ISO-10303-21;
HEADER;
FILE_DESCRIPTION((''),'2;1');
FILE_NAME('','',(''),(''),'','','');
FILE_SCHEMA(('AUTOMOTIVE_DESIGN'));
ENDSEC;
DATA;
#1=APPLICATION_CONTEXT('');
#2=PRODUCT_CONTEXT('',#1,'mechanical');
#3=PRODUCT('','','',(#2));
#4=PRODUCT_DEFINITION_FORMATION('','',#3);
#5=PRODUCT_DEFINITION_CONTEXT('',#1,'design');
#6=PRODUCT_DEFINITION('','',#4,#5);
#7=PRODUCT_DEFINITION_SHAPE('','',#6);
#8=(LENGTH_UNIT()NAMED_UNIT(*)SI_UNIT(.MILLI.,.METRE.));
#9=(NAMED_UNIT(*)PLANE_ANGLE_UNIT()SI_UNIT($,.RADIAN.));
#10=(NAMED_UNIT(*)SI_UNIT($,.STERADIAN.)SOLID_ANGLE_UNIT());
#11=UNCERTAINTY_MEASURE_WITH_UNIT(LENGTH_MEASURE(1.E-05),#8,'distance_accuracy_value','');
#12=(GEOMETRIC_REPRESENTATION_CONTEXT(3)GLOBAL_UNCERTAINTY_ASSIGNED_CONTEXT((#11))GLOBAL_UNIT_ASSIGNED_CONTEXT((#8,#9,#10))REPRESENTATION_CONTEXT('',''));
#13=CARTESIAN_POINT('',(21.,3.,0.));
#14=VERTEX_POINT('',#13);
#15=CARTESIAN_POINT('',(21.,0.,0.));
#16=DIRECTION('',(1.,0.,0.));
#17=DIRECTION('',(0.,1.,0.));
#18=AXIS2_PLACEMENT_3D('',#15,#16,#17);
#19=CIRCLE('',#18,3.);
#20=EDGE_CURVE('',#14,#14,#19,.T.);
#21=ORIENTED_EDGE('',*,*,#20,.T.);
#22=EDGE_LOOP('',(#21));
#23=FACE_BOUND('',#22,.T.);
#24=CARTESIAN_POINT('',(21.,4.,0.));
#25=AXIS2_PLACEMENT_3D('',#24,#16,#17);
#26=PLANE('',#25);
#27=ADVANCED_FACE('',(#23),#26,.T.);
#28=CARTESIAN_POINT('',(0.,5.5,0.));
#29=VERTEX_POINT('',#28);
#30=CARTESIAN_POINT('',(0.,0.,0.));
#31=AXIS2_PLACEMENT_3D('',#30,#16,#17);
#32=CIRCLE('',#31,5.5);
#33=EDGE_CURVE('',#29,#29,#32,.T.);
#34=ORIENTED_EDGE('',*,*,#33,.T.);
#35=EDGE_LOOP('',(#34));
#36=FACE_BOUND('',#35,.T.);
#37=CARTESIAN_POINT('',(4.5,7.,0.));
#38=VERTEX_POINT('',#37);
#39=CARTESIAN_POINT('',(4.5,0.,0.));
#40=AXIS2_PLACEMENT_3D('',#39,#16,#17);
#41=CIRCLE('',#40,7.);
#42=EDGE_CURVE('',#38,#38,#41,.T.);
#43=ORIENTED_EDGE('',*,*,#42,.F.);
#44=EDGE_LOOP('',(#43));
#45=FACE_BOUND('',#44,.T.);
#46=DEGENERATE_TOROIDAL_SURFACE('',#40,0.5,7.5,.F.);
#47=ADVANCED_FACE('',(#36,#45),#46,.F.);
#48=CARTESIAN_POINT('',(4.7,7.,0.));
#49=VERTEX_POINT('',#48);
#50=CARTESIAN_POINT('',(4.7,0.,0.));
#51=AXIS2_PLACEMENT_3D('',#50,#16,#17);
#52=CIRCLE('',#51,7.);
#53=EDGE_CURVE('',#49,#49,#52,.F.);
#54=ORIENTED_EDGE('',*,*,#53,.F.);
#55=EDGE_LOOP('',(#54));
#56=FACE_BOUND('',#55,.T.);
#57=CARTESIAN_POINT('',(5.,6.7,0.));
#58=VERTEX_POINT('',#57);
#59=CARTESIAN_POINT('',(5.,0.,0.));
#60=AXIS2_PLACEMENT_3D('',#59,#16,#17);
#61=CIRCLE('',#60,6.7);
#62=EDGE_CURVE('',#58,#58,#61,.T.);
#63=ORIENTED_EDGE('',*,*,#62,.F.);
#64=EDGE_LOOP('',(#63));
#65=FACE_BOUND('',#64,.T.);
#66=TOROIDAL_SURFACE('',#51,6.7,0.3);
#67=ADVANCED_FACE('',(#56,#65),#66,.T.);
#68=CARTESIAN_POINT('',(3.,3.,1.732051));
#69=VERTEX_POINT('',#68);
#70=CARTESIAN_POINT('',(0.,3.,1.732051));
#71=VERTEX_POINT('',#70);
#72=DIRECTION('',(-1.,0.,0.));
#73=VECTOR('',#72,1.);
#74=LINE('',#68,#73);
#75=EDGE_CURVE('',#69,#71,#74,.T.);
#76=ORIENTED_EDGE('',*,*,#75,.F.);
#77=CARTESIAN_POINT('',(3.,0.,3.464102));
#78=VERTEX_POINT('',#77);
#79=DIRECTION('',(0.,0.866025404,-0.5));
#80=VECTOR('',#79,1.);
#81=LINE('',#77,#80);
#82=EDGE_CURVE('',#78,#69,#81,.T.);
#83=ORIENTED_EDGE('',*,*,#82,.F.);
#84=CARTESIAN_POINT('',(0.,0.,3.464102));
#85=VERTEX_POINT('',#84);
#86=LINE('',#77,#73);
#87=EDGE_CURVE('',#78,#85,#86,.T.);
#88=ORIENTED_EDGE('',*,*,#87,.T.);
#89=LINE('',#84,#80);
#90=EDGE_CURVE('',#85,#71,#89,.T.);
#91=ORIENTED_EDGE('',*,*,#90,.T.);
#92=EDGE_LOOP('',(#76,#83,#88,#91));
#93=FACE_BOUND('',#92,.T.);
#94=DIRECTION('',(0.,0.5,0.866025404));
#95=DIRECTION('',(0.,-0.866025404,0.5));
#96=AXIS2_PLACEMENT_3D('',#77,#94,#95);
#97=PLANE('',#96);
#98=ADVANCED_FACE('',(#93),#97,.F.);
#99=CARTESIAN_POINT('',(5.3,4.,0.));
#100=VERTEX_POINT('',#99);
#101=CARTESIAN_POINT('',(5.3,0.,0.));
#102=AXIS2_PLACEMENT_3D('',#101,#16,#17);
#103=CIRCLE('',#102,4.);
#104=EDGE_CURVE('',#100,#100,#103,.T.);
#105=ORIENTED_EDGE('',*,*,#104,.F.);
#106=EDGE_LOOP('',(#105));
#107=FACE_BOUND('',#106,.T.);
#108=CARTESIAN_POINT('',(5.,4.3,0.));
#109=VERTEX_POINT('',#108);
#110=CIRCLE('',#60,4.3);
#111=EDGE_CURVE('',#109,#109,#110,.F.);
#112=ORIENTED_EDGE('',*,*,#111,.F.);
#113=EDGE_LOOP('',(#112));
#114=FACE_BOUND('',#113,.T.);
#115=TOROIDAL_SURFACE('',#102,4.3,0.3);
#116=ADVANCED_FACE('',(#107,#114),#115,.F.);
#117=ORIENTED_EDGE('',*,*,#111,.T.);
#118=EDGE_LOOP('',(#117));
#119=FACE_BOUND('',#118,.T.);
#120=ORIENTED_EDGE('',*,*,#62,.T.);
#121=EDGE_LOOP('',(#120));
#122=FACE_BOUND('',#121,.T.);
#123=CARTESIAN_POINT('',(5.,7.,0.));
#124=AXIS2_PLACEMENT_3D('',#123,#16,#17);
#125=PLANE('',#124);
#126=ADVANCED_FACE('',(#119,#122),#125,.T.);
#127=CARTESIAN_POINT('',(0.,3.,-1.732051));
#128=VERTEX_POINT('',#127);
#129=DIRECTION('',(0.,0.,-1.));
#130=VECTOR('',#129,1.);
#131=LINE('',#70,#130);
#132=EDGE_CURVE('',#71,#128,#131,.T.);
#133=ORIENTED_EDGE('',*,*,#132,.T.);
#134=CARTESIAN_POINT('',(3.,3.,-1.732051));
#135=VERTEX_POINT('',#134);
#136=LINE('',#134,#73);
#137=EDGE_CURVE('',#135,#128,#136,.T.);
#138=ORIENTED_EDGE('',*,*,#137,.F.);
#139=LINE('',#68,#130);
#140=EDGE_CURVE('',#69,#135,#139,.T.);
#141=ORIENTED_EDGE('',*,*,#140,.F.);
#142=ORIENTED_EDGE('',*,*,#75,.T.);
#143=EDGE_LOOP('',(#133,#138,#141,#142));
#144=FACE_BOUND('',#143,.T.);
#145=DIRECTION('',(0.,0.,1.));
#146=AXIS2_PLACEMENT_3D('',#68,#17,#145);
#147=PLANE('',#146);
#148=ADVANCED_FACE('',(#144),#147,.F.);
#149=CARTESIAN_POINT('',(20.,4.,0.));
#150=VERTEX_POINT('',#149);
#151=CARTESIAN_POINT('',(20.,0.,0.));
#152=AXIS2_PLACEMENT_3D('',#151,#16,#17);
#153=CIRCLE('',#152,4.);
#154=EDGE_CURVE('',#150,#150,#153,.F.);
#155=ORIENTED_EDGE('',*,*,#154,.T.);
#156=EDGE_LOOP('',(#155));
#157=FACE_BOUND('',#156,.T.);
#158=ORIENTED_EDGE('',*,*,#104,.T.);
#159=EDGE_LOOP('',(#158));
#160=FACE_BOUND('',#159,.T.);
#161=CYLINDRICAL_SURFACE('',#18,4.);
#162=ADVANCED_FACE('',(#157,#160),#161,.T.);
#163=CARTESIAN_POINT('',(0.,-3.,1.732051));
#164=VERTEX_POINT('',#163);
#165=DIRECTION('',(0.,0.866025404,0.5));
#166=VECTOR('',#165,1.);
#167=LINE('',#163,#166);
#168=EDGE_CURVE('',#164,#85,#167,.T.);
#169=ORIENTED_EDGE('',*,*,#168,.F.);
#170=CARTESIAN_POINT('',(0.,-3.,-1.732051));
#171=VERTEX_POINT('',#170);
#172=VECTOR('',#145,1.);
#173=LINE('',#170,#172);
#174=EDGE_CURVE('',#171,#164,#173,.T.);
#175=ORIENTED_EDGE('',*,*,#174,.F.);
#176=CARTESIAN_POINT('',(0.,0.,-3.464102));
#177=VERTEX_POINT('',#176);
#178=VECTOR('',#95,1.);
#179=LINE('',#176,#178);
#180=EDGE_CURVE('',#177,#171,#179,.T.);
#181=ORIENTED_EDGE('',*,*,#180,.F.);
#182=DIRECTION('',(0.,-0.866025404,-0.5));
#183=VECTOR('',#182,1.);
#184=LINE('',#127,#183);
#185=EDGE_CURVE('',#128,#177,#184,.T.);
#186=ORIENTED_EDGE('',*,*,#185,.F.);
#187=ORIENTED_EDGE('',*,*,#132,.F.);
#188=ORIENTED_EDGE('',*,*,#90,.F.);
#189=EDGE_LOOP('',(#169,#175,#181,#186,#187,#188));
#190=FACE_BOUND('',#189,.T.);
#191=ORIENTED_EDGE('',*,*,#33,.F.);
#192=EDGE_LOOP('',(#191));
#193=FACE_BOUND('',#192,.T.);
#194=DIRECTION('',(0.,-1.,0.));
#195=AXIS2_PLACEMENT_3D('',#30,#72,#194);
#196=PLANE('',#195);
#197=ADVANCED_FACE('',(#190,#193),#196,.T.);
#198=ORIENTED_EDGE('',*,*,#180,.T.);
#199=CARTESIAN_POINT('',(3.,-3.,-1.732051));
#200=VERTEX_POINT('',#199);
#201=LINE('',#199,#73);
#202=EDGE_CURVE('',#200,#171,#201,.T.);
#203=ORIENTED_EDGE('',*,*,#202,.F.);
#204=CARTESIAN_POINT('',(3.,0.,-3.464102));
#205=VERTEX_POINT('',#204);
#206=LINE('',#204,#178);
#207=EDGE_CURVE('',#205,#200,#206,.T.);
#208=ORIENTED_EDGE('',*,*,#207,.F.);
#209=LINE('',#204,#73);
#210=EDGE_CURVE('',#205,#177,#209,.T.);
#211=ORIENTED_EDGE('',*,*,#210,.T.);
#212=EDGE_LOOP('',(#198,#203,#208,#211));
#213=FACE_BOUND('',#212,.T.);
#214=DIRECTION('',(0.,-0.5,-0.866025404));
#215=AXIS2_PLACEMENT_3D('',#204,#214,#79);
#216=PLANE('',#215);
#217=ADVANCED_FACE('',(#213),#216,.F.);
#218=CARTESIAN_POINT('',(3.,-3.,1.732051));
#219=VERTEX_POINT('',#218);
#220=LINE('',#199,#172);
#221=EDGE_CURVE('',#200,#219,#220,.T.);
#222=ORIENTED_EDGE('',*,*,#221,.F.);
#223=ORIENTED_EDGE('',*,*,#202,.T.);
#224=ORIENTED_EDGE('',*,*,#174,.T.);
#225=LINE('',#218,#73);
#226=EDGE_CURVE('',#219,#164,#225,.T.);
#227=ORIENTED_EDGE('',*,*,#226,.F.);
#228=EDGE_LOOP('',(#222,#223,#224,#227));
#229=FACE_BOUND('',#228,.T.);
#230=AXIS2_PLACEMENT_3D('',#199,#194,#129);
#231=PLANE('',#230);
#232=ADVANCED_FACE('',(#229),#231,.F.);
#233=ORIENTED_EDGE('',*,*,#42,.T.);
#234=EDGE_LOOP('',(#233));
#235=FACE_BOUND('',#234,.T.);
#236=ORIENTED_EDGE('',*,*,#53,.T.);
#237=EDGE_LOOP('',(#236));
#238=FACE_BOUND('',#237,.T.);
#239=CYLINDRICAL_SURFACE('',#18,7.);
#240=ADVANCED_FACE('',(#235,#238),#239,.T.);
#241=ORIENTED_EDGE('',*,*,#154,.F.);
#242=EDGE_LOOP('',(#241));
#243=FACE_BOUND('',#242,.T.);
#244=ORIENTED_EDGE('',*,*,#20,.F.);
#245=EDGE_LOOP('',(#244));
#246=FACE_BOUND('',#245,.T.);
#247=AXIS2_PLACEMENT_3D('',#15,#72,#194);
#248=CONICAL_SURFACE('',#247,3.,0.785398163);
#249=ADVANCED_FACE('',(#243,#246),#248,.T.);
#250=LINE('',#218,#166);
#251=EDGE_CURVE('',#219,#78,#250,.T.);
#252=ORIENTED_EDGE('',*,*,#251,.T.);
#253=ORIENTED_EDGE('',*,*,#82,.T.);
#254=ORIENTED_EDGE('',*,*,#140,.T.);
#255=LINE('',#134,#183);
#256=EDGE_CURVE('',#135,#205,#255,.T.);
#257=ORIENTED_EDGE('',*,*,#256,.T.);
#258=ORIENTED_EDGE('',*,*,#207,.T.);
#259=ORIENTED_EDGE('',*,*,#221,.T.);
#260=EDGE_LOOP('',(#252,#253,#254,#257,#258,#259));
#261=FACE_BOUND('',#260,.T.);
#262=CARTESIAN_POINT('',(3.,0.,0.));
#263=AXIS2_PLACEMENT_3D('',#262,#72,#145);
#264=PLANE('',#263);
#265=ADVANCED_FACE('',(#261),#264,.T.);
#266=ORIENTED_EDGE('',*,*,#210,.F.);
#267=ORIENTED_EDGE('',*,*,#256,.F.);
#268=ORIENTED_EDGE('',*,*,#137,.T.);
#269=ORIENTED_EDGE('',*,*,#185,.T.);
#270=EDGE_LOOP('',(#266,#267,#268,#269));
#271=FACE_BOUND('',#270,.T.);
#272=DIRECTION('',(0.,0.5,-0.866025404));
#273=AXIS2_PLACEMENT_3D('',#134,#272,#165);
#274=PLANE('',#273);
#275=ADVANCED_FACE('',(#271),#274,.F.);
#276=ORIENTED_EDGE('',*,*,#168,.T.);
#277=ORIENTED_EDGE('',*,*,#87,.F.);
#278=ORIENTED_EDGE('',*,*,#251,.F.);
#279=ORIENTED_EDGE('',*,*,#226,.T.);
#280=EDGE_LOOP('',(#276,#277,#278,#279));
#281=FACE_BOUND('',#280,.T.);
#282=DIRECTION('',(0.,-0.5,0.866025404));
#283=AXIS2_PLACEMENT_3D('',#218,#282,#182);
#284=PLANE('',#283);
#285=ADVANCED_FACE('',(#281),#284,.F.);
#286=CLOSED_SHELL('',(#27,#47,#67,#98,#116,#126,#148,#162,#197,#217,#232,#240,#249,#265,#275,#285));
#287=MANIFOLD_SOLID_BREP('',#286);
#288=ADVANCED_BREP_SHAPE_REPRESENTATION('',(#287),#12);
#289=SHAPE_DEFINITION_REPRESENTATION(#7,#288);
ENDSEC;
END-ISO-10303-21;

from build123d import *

# Parameters (mm, degrees)
CUT_EXTRUDE_1_DEPTH = 3
FILLET_1_R          = 0.3
CHAMFER_1_SIZE      = 1


with BuildPart() as part:
    # Эскиз1 → Повернуть1 (revolve)
    with BuildSketch(Plane.XY):
        with BuildLine():
            Line((0, 0), (0, 5.5))
            ThreePointArc((0, 5.5), (2.128291755, 6.615124735), (4.5, 7))
            Line((4.5, 7), (5, 7))
            Line((5, 7), (5, 4))
            Line((5, 4), (21, 4))
            Line((21, 4), (21, 0))
            Line((21, 0), (0, 0))
        make_face()
    revolve(axis=Axis((21, 0, 0), (-1, 0, 0)))

    # Эскиз2 → Вырез-Вытянуть1 (cut)
    with BuildSketch(Plane.ZY):
        Polygon((1.732050808, 3), (-1.732050808, 3), (-3.464101615, 0), (-1.732050808, -3), (1.732050808, -3), (3.464101615, 0), align=None)
    extrude(amount=-CUT_EXTRUDE_1_DEPTH, mode=Mode.SUBTRACT)

    # Скругление1
    fillet_1_edges = [part.edges().sort_by_distance(p)[0] for p in [
        (5, -4, 0),
        (5, -7, 0),
    ]]
    fillet(fillet_1_edges, radius=FILLET_1_R)

    # Фаска1
    chamfer_1_edges = [part.edges().sort_by_distance(p)[0] for p in [
        (21, -4, 0),
    ]]
    chamfer(chamfer_1_edges, length=CHAMFER_1_SIZE)


solid = part.part
